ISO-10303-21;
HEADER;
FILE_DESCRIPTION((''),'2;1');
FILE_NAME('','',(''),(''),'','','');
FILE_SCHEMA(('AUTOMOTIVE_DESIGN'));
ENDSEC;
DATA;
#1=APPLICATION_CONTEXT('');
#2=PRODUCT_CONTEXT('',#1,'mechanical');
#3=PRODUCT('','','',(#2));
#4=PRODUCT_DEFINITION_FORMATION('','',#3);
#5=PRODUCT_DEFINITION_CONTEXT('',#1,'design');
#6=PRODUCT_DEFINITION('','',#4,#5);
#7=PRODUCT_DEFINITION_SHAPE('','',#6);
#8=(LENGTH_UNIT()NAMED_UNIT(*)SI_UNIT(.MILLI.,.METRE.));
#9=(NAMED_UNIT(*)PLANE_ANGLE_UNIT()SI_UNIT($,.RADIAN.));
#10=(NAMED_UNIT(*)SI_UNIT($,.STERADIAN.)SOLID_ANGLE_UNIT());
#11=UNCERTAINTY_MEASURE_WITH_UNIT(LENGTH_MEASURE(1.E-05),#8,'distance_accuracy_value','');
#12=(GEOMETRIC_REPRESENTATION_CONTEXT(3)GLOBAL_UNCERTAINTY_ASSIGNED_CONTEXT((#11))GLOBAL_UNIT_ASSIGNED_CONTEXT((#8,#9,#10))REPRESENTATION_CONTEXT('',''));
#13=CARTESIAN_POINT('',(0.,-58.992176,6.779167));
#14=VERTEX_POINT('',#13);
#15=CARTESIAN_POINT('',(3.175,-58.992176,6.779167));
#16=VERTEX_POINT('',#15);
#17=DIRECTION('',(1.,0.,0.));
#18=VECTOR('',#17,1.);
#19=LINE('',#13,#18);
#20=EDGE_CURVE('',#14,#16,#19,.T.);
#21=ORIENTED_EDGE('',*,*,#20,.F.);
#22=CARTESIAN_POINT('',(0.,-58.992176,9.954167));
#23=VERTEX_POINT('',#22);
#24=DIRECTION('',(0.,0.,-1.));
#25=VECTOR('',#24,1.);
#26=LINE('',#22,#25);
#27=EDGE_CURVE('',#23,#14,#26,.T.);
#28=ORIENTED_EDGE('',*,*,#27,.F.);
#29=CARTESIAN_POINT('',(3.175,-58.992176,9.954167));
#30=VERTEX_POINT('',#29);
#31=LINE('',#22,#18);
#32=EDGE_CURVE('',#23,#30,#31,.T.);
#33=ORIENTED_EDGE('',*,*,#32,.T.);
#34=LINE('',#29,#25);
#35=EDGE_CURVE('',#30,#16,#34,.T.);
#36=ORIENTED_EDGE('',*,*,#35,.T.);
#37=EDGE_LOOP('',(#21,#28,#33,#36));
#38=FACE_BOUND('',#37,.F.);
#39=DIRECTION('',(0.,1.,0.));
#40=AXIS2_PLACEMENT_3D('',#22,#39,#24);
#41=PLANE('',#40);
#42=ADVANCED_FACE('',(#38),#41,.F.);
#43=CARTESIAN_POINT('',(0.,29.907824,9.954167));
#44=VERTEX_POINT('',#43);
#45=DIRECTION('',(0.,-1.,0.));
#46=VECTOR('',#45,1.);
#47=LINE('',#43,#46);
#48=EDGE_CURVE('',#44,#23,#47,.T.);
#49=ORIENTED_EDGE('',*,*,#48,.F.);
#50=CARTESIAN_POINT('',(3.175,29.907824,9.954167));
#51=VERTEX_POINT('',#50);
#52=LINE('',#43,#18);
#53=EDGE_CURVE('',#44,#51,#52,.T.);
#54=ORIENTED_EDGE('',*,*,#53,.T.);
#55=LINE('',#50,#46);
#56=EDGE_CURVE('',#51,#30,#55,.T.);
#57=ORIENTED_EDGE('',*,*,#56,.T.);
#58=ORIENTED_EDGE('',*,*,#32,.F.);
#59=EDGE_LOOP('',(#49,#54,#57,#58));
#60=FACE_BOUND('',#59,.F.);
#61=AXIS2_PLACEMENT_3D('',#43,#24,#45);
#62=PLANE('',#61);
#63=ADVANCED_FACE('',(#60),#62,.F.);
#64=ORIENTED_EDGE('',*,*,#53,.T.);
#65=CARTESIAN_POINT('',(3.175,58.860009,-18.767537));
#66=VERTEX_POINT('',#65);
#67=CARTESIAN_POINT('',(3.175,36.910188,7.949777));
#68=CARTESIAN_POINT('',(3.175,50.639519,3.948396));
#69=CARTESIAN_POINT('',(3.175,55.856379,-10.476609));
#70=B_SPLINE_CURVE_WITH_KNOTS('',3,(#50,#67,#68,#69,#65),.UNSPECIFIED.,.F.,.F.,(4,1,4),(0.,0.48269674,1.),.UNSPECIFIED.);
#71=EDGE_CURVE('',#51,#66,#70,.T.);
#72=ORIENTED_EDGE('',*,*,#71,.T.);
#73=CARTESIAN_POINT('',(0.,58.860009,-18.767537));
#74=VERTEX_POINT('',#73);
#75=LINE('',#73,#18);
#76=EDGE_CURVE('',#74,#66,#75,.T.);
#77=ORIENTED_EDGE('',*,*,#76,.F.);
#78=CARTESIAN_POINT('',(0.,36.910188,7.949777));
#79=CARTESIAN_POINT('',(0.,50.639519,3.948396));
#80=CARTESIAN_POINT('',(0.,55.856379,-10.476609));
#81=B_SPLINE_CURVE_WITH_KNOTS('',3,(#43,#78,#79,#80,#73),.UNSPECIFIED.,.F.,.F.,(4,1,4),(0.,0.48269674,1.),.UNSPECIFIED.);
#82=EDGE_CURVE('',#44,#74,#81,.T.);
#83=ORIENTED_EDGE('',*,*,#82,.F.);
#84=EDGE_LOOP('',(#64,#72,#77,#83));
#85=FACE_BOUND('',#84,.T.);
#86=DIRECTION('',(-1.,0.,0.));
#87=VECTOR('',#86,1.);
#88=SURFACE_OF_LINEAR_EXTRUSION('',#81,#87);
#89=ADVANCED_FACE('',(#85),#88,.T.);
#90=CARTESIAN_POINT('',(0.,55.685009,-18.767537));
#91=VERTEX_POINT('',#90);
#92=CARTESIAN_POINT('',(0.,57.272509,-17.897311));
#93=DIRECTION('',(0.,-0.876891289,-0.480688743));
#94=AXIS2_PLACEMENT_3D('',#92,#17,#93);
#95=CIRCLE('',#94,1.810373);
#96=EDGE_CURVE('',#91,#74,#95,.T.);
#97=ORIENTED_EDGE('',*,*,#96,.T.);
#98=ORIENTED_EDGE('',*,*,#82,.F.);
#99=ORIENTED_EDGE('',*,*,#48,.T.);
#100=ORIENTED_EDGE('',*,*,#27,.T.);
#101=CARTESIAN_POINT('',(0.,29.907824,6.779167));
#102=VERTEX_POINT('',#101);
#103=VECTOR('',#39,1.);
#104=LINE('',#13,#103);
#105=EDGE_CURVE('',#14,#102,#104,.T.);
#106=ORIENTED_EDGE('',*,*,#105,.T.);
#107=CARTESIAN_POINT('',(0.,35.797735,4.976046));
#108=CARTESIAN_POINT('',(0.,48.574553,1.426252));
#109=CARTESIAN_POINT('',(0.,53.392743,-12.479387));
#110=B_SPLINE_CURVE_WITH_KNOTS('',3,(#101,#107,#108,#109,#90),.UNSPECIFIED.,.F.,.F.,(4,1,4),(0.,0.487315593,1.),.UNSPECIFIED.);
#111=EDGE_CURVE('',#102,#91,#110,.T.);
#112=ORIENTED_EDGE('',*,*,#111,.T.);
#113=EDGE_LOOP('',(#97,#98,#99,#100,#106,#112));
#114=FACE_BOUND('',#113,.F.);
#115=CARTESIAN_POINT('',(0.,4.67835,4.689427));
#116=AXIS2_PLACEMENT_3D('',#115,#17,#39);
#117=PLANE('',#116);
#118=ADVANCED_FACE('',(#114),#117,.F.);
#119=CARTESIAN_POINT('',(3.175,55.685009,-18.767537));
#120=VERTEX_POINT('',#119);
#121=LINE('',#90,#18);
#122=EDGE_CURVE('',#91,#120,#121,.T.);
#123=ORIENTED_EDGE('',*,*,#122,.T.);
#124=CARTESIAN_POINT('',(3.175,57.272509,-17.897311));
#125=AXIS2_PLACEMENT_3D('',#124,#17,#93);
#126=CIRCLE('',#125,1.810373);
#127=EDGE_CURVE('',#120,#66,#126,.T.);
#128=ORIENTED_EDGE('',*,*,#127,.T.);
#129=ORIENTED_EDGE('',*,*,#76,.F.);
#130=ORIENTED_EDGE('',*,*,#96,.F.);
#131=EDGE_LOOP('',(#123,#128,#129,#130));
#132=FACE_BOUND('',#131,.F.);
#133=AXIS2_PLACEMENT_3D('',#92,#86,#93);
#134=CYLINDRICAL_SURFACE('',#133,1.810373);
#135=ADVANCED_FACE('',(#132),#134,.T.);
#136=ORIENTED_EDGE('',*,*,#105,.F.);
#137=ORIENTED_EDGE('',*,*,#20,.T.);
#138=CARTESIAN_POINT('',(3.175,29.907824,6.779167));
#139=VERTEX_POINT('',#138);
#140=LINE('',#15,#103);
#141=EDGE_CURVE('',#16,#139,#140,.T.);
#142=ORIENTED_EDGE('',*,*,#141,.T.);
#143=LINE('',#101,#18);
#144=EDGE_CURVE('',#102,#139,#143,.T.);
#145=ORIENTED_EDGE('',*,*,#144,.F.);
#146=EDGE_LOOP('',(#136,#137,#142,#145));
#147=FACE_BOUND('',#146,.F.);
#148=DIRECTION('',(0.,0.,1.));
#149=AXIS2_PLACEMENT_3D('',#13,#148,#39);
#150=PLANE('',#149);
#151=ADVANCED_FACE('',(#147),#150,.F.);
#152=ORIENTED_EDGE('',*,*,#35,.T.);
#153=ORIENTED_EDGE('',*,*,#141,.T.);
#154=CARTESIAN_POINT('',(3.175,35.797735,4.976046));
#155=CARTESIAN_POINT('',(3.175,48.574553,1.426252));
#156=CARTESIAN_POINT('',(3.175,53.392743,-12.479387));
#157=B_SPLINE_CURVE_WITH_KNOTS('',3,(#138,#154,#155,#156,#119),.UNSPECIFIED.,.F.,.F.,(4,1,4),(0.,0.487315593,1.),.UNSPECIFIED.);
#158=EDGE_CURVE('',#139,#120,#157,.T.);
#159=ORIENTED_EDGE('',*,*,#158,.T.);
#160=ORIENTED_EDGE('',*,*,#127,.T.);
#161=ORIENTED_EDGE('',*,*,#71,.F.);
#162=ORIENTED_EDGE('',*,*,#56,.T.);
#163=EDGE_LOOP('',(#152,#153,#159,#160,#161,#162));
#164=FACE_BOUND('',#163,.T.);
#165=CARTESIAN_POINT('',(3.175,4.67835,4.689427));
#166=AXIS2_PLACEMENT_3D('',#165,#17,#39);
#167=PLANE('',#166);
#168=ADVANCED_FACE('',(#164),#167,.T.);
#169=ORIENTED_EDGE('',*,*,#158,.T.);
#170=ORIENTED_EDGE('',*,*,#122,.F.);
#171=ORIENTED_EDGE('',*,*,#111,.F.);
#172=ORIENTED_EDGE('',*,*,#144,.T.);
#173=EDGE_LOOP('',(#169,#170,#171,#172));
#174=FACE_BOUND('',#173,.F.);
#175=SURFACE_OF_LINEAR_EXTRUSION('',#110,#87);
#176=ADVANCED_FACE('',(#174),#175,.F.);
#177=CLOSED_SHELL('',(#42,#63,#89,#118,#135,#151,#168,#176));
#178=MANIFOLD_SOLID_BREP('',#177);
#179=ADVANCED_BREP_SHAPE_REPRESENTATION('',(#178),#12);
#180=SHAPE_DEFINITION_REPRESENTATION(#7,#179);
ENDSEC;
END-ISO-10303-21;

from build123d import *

# Parameters (mm, degrees)
F1_DEPTH = 3.175


with BuildPart() as f1:
    # F0 (on Right) → F1 (new body)
    with BuildSketch(Plane.YZ):
        with BuildLine():
            Line((29.907823873, 9.9541670571), (-58.992176127, 9.9541670571))
            Line((-58.992176127, 9.9541670571), (-58.992176127, 6.7791670571))
            Line((-58.992176127, 6.7791670571), (29.907823873, 6.7791670571))
            add(Edge.make_bspline(
                [(29.907823873, 6.7791670571), (35.7977353117, 4.9760463915), (48.5745529432, 1.426251935), (53.3927426069, -12.479387097), (55.6850089814, -18.7675365827)],
                knots=[0, 0, 0, 0, 0.4873155929, 1, 1, 1, 1], degree=3))
            ThreePointArc((55.6850089814, -18.7675365827), (57.2725089814, -19.7076834752), (58.8600089814, -18.7675365827))
            add(Edge.make_bspline(
                [(29.907823873, 9.9541670571), (36.910188306, 7.9497769334), (50.6395194075, 3.9483959542), (55.8563790797, -10.4766089442), (58.8600089814, -18.7675365827)],
                knots=[0, 0, 0, 0, 0.4826967405, 1, 1, 1, 1], degree=3))
        make_face()
    extrude(amount=F1_DEPTH)


solid = f1.part
